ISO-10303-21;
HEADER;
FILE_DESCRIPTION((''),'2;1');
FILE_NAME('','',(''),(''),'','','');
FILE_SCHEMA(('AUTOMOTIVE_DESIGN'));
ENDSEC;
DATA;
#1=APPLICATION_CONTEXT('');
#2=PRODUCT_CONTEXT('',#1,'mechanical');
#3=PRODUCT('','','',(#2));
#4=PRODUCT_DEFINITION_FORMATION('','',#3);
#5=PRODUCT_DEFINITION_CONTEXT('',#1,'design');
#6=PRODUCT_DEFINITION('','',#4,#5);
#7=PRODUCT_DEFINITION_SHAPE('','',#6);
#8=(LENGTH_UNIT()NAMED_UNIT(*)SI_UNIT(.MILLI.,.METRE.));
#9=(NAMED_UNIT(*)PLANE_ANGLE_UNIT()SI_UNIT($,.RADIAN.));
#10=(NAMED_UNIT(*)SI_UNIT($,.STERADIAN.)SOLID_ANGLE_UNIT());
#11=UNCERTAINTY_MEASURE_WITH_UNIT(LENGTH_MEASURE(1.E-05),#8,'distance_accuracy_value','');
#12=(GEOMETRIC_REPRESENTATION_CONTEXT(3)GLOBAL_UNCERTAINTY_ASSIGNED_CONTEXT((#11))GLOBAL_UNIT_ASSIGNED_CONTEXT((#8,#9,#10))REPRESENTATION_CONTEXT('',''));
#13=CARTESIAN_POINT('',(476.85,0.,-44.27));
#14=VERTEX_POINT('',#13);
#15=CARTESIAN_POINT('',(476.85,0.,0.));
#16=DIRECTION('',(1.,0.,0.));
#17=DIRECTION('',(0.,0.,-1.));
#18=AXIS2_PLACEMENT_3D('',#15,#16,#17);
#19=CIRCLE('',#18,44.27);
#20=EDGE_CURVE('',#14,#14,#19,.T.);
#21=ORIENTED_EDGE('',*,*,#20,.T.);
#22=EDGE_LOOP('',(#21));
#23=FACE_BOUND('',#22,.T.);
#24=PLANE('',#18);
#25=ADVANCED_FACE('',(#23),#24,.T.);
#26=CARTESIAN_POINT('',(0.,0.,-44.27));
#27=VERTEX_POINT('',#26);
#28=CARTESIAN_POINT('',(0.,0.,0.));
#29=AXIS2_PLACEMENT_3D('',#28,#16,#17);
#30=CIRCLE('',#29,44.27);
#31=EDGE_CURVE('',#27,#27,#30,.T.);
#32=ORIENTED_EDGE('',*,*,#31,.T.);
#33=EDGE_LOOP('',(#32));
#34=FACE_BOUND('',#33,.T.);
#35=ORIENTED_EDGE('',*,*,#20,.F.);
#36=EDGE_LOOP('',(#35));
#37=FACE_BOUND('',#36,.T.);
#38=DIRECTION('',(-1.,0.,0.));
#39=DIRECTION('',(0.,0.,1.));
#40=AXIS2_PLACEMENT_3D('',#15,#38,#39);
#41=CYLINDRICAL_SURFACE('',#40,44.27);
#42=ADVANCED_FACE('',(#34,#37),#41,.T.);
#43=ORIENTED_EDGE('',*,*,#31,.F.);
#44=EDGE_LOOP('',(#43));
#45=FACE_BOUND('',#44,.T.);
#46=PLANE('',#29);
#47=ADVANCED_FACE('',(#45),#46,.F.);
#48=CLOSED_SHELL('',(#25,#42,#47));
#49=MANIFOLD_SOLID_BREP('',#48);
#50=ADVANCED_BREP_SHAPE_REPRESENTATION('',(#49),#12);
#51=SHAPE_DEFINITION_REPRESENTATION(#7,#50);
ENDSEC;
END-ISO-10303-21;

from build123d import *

# Parameters (mm, degrees)
SKETCH1_R           = 44.27
BOSS_EXTRUDE1_DEPTH = 476.85


with BuildPart() as part:
    # Sketch1 → Boss-Extrude1 (new body)
    with BuildSketch(Plane(origin=(0, 0, 0), x_dir=(0, 0, -1), z_dir=(1, 0, 0))):
        Circle(SKETCH1_R)
    extrude(amount=BOSS_EXTRUDE1_DEPTH)


solid = part.part
